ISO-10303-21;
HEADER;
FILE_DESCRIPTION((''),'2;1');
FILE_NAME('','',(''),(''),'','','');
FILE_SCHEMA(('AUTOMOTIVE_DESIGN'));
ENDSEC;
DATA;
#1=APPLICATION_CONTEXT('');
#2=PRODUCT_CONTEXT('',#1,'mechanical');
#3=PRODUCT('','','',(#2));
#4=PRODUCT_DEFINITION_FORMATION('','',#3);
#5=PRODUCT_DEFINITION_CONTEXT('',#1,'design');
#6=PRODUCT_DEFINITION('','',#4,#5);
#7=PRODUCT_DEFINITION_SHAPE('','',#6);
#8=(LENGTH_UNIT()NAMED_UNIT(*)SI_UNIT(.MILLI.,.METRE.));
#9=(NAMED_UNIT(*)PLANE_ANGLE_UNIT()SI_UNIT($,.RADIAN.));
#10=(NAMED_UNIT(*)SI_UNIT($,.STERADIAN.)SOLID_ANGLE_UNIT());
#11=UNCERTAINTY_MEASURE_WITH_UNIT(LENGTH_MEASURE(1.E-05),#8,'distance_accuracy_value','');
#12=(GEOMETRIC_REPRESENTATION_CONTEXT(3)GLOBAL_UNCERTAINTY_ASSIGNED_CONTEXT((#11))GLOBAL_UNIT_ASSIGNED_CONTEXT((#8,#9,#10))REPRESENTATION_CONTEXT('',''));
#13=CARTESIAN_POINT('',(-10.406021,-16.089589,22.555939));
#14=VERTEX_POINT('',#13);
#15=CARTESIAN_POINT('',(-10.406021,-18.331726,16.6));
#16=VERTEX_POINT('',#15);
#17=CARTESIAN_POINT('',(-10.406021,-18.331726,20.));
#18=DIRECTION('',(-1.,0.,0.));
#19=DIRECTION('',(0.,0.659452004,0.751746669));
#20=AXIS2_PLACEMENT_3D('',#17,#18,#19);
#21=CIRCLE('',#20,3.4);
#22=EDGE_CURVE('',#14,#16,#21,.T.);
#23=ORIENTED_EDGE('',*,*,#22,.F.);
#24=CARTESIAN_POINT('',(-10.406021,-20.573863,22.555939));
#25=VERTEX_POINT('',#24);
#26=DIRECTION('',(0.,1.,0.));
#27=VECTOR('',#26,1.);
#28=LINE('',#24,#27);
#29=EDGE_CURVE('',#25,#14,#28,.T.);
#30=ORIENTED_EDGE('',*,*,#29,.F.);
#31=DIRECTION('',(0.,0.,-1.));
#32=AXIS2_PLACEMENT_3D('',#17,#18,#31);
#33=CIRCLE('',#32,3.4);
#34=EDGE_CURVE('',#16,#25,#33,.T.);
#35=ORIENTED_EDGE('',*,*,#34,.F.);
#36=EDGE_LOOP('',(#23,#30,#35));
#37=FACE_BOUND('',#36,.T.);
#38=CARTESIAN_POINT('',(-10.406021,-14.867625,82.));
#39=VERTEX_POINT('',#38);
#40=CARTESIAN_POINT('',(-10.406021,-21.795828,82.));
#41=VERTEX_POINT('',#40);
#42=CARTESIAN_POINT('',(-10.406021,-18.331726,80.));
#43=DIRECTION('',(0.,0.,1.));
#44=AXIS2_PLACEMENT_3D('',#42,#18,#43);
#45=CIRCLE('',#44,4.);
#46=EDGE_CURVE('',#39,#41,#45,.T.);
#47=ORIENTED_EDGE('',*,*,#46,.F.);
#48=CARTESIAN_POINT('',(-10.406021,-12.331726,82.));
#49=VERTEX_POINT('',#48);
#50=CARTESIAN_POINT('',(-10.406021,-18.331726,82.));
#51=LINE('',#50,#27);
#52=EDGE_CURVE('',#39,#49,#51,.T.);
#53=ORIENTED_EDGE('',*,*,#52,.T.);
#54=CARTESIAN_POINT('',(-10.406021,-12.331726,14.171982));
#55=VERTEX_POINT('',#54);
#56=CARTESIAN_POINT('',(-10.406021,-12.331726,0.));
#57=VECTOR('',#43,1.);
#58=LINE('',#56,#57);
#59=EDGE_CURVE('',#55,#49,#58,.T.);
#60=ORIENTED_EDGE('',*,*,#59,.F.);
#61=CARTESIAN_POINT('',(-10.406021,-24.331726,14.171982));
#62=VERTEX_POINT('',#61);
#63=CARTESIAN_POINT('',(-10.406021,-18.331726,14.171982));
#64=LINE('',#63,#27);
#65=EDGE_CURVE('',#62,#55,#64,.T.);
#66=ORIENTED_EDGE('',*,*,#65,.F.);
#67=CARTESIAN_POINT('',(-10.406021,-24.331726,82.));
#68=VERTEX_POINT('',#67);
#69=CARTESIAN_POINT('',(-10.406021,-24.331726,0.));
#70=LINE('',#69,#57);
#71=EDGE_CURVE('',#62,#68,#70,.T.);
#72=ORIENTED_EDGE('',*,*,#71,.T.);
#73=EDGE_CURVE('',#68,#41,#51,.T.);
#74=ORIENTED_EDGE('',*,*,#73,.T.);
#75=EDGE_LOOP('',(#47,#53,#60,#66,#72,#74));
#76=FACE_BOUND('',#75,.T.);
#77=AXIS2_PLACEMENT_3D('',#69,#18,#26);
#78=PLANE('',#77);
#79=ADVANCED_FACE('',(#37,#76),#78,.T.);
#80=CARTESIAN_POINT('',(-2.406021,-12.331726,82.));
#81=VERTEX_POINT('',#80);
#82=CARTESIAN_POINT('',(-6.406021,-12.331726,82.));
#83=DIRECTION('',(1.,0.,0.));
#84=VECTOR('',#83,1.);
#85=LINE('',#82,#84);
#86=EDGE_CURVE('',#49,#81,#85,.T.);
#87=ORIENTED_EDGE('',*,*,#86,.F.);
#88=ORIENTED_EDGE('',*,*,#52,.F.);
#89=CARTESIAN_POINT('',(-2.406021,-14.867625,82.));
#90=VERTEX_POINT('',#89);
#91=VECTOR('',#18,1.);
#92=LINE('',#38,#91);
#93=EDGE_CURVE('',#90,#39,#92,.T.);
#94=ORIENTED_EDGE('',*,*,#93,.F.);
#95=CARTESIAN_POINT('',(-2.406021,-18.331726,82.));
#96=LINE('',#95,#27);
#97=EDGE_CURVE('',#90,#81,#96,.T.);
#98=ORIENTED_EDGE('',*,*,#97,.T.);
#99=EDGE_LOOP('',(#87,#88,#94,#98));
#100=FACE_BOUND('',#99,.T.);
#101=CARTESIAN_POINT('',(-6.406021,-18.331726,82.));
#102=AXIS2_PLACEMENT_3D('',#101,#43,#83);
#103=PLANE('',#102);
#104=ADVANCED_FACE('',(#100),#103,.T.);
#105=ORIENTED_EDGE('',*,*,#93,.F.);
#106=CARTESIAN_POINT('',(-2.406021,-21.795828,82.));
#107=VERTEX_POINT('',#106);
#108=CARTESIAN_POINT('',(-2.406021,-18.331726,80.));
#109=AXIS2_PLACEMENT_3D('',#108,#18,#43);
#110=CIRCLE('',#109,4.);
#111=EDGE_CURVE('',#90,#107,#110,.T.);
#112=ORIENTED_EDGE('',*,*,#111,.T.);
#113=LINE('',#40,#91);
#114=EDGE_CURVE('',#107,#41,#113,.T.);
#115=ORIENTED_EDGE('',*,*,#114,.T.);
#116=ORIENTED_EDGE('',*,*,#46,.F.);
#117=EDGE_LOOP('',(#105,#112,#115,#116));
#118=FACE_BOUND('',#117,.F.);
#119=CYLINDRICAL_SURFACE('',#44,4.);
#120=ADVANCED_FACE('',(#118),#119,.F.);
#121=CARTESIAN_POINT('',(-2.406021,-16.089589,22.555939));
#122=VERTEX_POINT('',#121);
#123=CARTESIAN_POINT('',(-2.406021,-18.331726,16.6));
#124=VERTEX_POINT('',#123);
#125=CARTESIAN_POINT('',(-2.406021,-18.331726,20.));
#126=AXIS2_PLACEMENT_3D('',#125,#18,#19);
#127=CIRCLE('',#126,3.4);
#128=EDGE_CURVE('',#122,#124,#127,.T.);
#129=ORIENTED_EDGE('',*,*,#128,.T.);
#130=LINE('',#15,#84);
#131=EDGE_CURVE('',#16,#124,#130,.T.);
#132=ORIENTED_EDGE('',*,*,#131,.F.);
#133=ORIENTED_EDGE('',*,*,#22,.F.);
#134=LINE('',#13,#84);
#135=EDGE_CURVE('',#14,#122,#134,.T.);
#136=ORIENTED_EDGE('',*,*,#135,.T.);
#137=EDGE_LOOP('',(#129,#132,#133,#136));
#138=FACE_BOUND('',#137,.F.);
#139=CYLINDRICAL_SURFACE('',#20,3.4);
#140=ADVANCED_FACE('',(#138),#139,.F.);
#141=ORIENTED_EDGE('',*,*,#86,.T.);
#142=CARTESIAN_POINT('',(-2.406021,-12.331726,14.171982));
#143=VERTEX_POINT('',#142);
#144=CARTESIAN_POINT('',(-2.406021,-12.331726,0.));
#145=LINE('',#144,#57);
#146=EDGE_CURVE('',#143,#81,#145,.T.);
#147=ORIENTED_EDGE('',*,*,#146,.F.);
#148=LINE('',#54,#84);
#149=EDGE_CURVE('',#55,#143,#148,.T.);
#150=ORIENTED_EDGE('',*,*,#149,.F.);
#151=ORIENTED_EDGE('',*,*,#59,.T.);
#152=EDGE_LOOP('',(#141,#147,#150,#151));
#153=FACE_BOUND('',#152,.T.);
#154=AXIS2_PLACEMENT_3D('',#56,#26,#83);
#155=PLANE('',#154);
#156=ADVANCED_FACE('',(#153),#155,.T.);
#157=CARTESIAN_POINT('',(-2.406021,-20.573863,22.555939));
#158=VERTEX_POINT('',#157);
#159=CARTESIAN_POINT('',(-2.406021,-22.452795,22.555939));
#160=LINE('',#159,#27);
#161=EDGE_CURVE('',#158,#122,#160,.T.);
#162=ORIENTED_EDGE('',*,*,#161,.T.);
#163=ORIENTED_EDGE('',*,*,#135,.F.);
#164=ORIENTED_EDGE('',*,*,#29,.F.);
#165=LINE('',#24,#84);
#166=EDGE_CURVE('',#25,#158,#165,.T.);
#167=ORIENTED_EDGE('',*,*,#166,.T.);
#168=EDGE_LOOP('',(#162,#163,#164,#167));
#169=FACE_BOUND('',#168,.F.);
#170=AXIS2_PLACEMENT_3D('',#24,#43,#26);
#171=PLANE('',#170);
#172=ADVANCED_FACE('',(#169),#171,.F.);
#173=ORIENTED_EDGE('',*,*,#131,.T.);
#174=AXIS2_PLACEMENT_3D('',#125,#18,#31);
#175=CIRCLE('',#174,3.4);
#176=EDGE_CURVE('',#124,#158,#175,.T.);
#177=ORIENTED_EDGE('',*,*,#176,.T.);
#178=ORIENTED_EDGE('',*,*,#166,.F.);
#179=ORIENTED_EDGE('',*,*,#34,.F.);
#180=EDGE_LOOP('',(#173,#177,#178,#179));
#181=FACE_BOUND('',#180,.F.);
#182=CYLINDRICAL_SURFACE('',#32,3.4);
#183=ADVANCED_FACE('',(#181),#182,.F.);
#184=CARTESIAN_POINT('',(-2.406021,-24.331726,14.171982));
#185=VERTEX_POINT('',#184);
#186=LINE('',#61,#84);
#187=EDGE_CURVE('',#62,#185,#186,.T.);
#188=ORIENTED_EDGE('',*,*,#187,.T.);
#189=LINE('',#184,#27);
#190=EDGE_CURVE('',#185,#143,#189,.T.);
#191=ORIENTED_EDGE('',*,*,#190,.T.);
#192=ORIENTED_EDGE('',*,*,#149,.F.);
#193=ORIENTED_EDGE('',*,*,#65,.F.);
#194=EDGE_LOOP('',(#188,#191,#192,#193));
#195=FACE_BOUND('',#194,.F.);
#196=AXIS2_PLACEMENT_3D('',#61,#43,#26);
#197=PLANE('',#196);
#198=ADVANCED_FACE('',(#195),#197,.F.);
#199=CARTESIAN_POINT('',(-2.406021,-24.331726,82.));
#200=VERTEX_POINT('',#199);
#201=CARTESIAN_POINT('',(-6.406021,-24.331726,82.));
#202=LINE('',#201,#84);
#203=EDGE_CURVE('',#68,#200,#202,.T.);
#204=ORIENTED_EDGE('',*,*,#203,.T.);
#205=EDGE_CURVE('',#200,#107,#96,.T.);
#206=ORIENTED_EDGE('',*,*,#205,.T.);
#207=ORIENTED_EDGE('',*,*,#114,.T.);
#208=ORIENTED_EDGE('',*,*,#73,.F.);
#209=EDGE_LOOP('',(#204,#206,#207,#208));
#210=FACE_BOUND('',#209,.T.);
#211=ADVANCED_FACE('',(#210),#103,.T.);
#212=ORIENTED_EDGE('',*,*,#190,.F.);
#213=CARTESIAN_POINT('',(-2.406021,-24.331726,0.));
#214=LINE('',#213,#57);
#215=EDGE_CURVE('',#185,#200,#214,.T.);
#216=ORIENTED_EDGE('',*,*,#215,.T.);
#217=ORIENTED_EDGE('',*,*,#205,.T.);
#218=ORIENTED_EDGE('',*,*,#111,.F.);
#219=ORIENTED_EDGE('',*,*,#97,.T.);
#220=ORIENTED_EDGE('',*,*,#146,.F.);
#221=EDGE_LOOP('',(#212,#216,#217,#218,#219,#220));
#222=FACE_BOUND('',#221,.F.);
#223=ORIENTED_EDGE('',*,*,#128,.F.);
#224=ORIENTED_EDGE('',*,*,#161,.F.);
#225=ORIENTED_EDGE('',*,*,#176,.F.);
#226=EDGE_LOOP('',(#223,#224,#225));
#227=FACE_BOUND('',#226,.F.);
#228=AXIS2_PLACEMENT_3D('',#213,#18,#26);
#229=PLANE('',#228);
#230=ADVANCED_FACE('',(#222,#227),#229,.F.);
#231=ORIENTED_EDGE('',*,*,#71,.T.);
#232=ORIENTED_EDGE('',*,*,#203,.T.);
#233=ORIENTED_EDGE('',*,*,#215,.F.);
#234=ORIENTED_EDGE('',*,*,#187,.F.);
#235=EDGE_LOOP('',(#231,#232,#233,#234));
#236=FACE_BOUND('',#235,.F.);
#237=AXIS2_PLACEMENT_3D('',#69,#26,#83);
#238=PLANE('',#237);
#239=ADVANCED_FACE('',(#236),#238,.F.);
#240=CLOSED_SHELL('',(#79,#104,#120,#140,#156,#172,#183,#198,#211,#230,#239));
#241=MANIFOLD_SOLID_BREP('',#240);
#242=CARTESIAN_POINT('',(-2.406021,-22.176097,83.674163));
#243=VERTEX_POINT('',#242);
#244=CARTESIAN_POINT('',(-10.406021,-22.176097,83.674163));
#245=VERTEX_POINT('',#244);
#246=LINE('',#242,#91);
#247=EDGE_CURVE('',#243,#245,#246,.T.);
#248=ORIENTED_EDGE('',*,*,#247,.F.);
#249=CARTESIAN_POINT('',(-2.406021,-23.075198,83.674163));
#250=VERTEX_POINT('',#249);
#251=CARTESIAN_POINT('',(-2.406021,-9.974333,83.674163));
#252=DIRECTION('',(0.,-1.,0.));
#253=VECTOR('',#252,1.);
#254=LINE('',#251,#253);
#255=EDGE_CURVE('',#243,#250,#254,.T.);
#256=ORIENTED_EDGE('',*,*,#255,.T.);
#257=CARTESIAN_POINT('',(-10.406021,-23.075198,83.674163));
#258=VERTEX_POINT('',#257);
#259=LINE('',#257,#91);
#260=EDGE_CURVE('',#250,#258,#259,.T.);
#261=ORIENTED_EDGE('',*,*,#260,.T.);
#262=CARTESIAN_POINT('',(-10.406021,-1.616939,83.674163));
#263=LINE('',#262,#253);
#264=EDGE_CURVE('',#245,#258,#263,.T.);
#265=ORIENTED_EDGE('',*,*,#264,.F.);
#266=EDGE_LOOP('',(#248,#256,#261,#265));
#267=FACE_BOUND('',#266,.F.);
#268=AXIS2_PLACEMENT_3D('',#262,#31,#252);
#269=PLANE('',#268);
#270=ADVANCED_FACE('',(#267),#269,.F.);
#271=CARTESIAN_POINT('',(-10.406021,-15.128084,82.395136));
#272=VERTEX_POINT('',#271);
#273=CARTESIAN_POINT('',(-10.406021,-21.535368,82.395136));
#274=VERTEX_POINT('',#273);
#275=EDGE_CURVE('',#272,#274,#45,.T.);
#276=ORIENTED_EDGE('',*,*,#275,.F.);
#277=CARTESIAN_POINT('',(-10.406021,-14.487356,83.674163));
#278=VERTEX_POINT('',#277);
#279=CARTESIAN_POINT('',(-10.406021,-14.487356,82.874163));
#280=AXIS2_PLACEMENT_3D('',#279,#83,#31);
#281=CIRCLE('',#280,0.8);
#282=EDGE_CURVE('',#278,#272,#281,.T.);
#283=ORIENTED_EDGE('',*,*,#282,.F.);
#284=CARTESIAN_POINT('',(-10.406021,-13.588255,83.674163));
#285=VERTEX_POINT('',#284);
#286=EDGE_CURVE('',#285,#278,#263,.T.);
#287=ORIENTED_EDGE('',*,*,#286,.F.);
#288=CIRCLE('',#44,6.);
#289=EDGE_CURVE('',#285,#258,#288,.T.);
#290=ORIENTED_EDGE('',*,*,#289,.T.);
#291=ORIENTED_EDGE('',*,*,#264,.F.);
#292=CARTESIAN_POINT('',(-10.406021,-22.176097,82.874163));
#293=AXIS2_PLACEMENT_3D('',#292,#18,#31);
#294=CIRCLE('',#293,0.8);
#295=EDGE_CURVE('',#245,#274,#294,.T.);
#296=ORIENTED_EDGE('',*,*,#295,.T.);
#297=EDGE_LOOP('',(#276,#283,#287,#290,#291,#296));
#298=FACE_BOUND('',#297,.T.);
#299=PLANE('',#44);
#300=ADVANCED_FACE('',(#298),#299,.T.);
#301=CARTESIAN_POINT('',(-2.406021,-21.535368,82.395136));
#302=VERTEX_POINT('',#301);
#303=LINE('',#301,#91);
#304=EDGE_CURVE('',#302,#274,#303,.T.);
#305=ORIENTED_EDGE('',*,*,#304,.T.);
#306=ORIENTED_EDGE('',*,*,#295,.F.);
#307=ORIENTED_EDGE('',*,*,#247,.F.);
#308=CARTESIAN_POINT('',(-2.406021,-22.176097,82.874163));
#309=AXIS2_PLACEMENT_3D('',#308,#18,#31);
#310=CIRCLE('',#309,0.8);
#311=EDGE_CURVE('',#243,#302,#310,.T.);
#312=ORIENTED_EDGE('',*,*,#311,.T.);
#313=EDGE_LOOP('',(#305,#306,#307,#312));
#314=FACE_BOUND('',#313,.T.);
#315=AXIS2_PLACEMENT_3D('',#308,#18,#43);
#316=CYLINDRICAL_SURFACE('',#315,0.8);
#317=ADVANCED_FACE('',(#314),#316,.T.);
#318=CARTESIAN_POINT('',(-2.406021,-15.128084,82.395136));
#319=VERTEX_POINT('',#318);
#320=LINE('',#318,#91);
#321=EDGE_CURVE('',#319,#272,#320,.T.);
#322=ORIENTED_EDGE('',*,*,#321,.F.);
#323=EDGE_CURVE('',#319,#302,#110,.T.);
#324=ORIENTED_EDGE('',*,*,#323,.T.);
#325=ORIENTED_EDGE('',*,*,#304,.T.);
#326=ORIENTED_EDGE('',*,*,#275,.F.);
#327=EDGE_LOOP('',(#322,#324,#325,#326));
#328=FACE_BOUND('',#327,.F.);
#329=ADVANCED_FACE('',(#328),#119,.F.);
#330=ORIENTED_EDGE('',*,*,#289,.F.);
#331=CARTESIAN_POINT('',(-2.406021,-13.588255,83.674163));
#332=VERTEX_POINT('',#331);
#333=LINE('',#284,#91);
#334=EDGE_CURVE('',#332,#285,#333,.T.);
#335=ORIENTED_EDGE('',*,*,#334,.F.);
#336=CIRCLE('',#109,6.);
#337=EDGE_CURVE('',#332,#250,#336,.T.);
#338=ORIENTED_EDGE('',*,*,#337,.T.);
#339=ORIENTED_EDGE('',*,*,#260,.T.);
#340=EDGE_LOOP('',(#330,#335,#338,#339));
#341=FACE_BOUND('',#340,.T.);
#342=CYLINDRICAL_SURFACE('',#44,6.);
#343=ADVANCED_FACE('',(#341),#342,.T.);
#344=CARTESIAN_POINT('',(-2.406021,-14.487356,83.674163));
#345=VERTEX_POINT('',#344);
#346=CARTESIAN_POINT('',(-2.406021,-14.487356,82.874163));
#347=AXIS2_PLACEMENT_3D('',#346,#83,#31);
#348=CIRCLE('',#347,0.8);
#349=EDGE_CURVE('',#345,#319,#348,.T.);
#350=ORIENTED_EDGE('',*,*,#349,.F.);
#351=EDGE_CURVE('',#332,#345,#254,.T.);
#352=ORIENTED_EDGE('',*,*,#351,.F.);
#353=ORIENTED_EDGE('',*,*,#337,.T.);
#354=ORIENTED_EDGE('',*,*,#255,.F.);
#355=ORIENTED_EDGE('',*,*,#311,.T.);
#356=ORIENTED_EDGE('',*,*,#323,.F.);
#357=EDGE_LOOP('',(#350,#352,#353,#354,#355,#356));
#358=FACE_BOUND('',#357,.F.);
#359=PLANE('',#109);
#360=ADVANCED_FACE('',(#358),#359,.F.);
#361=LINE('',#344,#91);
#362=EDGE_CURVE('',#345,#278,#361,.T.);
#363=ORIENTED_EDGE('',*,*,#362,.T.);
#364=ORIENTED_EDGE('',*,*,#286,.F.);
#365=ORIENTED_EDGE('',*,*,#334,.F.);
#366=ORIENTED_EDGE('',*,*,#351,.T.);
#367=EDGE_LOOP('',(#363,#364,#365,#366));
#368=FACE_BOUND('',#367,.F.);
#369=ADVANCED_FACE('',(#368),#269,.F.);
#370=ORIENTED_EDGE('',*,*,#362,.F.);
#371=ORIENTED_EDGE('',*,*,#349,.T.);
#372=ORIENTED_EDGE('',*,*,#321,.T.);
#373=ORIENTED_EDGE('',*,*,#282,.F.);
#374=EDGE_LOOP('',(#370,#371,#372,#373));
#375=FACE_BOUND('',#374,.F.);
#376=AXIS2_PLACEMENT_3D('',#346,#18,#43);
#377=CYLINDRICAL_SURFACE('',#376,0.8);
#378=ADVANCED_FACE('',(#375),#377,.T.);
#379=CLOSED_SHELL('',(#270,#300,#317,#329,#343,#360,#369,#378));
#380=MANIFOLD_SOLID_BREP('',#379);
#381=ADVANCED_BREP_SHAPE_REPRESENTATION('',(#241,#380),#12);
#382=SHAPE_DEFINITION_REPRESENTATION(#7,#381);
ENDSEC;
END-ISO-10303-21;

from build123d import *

# Parameters (mm, degrees)
SKETCH_1_W          = 8
SKETCH_1_H          = 12
EXTRUDE_1_DEPTH     = 82
SKETCH_2_R          = 6
SKETCH_2_R_2        = 4
EXTRUDE_2_DEPTH     = 8
CUT_EXTRUDE_1_DEPTH = 44
CUT_EXTRUDE_2_DEPTH = 8
FILLET_2_R          = 0.8
SKETCH_5_W          = 14.17198175
SKETCH_5_H          = 12
CUT_EXTRUDE_3_DEPTH = 10


with BuildPart() as part:
    # 草图1 → 凸台-拉伸1 (new body)
    with BuildSketch(Plane.XY):
        with Locations((-6.4060213, -18.331726276)):
            Rectangle(SKETCH_1_W, SKETCH_1_H)
    extrude(amount=EXTRUDE_1_DEPTH)

    # 草图2<3> → 切除-拉伸2 (cut)
    with BuildSketch(Plane.ZY.offset(10.4060213)):
        with BuildLine():
            Line((82, -18.331726276), (82, -14.86762466))
            ThreePointArc((82, -14.86762466), (76, -18.331726276), (82, -21.795827891))
            Line((82, -21.795827891), (82, -18.331726276))
        make_face()
    extrude(amount=-CUT_EXTRUDE_2_DEPTH, mode=Mode.SUBTRACT)

    # 草图5 → 切除-拉伸3 (cut)
    with BuildSketch(Plane.ZY.offset(10.4060213)):
        with Locations((7.085990875, -18.331726276)):
            Rectangle(SKETCH_5_W, SKETCH_5_H)
        with BuildLine():
            ThreePointArc((22.555938676, -16.089589464), (18.802125111, -15.149730715), (16.6, -18.331726276))
            ThreePointArc((16.6, -18.331726276), (18.802125111, -21.513721837), (22.555938676, -20.573863088))
            Line((22.555938676, -20.573863088), (22.555938676, -16.089589464))
        make_face()
    extrude(amount=-CUT_EXTRUDE_3_DEPTH, mode=Mode.SUBTRACT)


with BuildPart() as body_2:
    # 草图2 → 凸台-拉伸2 (new body)
    with BuildSketch(Plane.ZY.offset(10.4060213)):
        with Locations((80, -18.331726276)):
            Circle(SKETCH_2_R)
        with Locations((80, -18.331726276)):
            Circle(SKETCH_2_R_2, mode=Mode.SUBTRACT)
    extrude(amount=-EXTRUDE_2_DEPTH)

    # 草图3 → 切除-拉伸1 (cut)
    with BuildSketch(Plane.ZY.offset(10.4060213)):
        Polygon((83.67416335, -12.331726276), (83.67416335, -43.507085013), (128.40681493, -43.507085013), (128.40681493, -12.331726276), (128.40681493, -1.616938917), (83.67416335, -1.616938917), align=None)
    extrude(amount=-CUT_EXTRUDE_1_DEPTH, mode=Mode.SUBTRACT)

    # 圆角2
    fillet_2_edges = [body_2.edges().sort_by_distance(p)[0] for p in [
        (-6.4060213, -19.913030697, 83.67416335),
        (-6.4060213, -16.750421854, 83.67416335),
    ]]
    fillet(fillet_2_edges, radius=FILLET_2_R)


solid = Compound([part.part, body_2.part])
